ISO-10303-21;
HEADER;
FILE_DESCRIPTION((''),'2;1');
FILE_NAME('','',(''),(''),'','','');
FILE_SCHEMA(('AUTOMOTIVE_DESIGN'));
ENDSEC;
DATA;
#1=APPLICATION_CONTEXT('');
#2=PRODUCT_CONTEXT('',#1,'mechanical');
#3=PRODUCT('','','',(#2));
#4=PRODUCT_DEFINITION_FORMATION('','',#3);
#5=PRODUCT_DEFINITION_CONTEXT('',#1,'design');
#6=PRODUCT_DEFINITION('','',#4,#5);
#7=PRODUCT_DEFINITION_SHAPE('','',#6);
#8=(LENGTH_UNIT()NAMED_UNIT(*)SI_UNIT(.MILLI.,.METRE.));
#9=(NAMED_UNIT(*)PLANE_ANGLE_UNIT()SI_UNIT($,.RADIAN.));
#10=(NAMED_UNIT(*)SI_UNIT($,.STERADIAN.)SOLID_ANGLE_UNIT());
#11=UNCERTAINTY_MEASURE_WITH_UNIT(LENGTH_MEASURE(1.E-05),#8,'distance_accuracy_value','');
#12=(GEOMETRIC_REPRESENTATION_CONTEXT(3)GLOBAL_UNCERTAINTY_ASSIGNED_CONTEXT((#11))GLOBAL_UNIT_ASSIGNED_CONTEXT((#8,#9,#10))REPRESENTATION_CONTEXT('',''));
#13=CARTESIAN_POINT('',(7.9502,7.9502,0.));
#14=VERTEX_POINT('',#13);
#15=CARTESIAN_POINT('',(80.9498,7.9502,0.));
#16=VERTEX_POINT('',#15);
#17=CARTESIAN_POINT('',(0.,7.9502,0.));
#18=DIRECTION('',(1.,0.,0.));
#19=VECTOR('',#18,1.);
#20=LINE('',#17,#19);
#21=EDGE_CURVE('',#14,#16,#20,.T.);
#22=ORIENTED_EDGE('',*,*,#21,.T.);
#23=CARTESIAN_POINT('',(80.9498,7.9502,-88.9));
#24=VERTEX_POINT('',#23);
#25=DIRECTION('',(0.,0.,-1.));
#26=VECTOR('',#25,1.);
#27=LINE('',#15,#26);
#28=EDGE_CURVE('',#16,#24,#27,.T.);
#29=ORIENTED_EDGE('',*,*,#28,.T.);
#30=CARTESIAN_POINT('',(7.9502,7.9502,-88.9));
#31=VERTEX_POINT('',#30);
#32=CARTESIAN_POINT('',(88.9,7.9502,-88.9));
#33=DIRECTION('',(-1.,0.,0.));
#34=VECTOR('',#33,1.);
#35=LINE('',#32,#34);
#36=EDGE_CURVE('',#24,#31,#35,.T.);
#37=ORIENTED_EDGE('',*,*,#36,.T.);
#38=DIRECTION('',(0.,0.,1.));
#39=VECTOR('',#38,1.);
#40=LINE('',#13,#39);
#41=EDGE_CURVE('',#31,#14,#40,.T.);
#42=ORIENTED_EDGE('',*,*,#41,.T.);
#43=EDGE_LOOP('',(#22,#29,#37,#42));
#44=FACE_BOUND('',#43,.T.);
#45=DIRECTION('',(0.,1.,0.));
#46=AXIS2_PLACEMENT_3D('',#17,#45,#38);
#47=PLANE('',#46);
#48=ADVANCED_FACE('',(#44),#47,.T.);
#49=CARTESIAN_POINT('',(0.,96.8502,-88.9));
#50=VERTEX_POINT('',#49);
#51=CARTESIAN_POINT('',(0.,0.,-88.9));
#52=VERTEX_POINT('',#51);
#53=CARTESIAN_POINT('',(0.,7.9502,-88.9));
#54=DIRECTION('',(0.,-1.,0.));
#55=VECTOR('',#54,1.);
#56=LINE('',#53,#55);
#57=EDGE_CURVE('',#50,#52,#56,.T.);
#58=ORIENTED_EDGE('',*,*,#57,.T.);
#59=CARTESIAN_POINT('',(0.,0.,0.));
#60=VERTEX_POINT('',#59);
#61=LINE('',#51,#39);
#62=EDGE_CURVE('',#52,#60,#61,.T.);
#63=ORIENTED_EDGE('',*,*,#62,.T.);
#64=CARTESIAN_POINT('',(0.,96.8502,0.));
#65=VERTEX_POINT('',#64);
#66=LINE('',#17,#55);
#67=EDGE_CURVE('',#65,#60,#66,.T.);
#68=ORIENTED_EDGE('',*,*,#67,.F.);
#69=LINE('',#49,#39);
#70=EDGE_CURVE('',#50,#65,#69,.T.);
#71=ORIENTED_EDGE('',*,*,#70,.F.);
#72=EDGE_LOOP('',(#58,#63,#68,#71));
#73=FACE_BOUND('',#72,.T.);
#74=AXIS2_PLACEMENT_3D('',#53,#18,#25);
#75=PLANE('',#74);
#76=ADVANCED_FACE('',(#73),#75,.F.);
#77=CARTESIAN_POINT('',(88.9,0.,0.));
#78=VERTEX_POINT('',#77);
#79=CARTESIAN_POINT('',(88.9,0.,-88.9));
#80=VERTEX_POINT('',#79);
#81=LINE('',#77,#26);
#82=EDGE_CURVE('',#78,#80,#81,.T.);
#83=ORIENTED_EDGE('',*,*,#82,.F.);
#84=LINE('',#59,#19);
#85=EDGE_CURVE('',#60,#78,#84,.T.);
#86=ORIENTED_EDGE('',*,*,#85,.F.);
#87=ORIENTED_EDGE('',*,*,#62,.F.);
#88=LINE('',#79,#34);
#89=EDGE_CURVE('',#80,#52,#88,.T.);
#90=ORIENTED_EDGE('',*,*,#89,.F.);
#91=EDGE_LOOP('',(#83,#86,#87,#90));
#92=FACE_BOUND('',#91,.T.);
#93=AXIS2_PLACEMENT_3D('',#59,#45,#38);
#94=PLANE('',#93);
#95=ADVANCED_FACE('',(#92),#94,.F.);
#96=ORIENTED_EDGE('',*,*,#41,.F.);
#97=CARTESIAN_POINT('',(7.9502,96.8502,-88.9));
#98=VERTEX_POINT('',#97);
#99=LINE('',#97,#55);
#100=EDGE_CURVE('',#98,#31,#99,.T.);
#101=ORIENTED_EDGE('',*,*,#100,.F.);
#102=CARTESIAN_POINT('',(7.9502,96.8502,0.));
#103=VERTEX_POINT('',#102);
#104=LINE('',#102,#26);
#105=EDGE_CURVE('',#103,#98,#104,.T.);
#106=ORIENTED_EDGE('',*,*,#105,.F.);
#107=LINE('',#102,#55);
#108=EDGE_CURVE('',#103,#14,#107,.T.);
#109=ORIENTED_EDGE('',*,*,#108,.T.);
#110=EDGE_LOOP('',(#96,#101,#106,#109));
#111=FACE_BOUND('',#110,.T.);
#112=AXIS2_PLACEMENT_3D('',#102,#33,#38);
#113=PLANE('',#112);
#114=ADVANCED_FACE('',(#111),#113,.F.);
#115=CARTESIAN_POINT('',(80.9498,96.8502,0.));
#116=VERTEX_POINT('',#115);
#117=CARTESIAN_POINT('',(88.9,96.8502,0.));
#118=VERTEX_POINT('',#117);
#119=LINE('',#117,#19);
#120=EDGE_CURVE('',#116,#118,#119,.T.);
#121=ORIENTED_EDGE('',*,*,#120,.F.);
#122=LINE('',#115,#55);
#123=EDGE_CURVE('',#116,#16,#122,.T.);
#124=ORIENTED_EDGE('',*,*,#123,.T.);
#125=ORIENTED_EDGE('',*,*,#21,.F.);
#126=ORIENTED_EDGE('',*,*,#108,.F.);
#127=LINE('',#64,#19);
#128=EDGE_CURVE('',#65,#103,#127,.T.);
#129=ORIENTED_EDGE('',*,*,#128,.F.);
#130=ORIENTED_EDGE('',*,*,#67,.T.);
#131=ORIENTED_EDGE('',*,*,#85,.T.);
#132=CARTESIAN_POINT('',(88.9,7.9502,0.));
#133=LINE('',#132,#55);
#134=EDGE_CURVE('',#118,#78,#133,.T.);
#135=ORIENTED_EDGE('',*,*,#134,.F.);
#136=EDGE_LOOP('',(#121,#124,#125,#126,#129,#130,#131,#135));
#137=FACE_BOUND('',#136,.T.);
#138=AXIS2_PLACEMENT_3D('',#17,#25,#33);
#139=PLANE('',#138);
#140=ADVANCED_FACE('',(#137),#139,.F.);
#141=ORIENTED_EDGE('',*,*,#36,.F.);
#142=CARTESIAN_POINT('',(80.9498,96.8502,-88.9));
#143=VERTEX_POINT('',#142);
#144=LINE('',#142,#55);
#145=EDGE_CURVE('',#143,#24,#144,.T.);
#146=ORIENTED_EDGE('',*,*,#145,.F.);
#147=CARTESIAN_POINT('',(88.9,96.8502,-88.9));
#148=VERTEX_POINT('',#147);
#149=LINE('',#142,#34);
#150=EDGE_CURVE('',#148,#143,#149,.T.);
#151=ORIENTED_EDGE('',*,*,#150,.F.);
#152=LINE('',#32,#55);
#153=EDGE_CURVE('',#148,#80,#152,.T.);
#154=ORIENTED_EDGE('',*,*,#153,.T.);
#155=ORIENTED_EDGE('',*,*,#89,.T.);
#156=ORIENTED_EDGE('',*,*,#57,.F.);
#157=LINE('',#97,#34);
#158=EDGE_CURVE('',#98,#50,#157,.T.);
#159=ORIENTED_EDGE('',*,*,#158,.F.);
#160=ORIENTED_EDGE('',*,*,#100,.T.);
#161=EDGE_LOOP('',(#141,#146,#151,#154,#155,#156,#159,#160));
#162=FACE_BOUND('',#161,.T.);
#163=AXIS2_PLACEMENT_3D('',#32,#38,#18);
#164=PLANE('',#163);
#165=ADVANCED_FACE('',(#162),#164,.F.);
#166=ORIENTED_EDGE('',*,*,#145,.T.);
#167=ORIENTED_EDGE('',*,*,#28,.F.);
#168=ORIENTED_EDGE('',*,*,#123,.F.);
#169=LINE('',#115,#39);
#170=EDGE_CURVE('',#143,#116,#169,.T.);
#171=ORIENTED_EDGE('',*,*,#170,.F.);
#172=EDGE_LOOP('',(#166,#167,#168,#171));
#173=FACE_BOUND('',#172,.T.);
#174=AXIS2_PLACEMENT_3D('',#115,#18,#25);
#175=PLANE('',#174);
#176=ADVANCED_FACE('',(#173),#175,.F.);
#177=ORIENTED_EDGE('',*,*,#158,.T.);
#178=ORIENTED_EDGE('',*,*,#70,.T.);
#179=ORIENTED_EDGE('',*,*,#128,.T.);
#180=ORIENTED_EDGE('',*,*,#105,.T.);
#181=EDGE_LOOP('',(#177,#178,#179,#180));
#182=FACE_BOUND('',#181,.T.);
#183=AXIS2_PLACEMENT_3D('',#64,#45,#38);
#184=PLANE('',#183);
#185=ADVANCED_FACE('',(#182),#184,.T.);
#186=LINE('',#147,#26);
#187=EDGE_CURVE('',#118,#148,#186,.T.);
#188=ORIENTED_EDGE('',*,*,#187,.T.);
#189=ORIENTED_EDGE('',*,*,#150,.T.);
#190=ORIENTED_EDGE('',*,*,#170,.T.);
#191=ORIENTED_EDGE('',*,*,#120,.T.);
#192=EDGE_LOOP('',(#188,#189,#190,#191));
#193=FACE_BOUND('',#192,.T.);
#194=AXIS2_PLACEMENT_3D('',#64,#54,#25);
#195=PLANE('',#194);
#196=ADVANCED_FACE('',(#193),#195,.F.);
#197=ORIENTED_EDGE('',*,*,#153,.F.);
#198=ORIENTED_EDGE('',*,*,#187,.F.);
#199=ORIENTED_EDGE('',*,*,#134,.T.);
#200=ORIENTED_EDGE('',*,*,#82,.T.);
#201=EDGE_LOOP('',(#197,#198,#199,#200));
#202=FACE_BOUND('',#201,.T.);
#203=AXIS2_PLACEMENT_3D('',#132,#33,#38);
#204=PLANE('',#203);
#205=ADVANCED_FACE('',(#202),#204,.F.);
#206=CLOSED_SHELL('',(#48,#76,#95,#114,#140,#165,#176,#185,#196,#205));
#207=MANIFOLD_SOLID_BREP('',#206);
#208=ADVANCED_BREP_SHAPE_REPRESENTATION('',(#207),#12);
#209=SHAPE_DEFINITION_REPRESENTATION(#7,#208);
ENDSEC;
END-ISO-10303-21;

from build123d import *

# Parameters (mm, degrees)
SKETCH1_W           = 88.9
SKETCH1_H           = 88.9
BOSS_EXTRUDE1_DEPTH = 7.9502
SKETCH2_W           = 7.9502
SKETCH2_H           = 88.9
BOSS_EXTRUDE2_DEPTH = 96.8502


with BuildPart() as part:
    # Sketch1 → Boss-Extrude1 (new body)
    with BuildSketch(Plane(origin=(0, 0, 0), x_dir=(1, 0, 0), z_dir=(0, 1, 0))):
        with Locations((44.45, 44.45)):
            Rectangle(SKETCH1_W, SKETCH1_H)
    extrude(amount=BOSS_EXTRUDE1_DEPTH)

    # Sketch2 → Boss-Extrude2 (add)
    with BuildSketch(Plane(origin=(0, 0, 0), x_dir=(1, 0, 0), z_dir=(0, 1, 0))):
        with Locations((3.9751, 44.45)):
            Rectangle(SKETCH2_W, SKETCH2_H)
        with Locations((84.9249, 44.45)):
            Rectangle(SKETCH2_W, SKETCH2_H)
    extrude(amount=BOSS_EXTRUDE2_DEPTH)


solid = part.part
